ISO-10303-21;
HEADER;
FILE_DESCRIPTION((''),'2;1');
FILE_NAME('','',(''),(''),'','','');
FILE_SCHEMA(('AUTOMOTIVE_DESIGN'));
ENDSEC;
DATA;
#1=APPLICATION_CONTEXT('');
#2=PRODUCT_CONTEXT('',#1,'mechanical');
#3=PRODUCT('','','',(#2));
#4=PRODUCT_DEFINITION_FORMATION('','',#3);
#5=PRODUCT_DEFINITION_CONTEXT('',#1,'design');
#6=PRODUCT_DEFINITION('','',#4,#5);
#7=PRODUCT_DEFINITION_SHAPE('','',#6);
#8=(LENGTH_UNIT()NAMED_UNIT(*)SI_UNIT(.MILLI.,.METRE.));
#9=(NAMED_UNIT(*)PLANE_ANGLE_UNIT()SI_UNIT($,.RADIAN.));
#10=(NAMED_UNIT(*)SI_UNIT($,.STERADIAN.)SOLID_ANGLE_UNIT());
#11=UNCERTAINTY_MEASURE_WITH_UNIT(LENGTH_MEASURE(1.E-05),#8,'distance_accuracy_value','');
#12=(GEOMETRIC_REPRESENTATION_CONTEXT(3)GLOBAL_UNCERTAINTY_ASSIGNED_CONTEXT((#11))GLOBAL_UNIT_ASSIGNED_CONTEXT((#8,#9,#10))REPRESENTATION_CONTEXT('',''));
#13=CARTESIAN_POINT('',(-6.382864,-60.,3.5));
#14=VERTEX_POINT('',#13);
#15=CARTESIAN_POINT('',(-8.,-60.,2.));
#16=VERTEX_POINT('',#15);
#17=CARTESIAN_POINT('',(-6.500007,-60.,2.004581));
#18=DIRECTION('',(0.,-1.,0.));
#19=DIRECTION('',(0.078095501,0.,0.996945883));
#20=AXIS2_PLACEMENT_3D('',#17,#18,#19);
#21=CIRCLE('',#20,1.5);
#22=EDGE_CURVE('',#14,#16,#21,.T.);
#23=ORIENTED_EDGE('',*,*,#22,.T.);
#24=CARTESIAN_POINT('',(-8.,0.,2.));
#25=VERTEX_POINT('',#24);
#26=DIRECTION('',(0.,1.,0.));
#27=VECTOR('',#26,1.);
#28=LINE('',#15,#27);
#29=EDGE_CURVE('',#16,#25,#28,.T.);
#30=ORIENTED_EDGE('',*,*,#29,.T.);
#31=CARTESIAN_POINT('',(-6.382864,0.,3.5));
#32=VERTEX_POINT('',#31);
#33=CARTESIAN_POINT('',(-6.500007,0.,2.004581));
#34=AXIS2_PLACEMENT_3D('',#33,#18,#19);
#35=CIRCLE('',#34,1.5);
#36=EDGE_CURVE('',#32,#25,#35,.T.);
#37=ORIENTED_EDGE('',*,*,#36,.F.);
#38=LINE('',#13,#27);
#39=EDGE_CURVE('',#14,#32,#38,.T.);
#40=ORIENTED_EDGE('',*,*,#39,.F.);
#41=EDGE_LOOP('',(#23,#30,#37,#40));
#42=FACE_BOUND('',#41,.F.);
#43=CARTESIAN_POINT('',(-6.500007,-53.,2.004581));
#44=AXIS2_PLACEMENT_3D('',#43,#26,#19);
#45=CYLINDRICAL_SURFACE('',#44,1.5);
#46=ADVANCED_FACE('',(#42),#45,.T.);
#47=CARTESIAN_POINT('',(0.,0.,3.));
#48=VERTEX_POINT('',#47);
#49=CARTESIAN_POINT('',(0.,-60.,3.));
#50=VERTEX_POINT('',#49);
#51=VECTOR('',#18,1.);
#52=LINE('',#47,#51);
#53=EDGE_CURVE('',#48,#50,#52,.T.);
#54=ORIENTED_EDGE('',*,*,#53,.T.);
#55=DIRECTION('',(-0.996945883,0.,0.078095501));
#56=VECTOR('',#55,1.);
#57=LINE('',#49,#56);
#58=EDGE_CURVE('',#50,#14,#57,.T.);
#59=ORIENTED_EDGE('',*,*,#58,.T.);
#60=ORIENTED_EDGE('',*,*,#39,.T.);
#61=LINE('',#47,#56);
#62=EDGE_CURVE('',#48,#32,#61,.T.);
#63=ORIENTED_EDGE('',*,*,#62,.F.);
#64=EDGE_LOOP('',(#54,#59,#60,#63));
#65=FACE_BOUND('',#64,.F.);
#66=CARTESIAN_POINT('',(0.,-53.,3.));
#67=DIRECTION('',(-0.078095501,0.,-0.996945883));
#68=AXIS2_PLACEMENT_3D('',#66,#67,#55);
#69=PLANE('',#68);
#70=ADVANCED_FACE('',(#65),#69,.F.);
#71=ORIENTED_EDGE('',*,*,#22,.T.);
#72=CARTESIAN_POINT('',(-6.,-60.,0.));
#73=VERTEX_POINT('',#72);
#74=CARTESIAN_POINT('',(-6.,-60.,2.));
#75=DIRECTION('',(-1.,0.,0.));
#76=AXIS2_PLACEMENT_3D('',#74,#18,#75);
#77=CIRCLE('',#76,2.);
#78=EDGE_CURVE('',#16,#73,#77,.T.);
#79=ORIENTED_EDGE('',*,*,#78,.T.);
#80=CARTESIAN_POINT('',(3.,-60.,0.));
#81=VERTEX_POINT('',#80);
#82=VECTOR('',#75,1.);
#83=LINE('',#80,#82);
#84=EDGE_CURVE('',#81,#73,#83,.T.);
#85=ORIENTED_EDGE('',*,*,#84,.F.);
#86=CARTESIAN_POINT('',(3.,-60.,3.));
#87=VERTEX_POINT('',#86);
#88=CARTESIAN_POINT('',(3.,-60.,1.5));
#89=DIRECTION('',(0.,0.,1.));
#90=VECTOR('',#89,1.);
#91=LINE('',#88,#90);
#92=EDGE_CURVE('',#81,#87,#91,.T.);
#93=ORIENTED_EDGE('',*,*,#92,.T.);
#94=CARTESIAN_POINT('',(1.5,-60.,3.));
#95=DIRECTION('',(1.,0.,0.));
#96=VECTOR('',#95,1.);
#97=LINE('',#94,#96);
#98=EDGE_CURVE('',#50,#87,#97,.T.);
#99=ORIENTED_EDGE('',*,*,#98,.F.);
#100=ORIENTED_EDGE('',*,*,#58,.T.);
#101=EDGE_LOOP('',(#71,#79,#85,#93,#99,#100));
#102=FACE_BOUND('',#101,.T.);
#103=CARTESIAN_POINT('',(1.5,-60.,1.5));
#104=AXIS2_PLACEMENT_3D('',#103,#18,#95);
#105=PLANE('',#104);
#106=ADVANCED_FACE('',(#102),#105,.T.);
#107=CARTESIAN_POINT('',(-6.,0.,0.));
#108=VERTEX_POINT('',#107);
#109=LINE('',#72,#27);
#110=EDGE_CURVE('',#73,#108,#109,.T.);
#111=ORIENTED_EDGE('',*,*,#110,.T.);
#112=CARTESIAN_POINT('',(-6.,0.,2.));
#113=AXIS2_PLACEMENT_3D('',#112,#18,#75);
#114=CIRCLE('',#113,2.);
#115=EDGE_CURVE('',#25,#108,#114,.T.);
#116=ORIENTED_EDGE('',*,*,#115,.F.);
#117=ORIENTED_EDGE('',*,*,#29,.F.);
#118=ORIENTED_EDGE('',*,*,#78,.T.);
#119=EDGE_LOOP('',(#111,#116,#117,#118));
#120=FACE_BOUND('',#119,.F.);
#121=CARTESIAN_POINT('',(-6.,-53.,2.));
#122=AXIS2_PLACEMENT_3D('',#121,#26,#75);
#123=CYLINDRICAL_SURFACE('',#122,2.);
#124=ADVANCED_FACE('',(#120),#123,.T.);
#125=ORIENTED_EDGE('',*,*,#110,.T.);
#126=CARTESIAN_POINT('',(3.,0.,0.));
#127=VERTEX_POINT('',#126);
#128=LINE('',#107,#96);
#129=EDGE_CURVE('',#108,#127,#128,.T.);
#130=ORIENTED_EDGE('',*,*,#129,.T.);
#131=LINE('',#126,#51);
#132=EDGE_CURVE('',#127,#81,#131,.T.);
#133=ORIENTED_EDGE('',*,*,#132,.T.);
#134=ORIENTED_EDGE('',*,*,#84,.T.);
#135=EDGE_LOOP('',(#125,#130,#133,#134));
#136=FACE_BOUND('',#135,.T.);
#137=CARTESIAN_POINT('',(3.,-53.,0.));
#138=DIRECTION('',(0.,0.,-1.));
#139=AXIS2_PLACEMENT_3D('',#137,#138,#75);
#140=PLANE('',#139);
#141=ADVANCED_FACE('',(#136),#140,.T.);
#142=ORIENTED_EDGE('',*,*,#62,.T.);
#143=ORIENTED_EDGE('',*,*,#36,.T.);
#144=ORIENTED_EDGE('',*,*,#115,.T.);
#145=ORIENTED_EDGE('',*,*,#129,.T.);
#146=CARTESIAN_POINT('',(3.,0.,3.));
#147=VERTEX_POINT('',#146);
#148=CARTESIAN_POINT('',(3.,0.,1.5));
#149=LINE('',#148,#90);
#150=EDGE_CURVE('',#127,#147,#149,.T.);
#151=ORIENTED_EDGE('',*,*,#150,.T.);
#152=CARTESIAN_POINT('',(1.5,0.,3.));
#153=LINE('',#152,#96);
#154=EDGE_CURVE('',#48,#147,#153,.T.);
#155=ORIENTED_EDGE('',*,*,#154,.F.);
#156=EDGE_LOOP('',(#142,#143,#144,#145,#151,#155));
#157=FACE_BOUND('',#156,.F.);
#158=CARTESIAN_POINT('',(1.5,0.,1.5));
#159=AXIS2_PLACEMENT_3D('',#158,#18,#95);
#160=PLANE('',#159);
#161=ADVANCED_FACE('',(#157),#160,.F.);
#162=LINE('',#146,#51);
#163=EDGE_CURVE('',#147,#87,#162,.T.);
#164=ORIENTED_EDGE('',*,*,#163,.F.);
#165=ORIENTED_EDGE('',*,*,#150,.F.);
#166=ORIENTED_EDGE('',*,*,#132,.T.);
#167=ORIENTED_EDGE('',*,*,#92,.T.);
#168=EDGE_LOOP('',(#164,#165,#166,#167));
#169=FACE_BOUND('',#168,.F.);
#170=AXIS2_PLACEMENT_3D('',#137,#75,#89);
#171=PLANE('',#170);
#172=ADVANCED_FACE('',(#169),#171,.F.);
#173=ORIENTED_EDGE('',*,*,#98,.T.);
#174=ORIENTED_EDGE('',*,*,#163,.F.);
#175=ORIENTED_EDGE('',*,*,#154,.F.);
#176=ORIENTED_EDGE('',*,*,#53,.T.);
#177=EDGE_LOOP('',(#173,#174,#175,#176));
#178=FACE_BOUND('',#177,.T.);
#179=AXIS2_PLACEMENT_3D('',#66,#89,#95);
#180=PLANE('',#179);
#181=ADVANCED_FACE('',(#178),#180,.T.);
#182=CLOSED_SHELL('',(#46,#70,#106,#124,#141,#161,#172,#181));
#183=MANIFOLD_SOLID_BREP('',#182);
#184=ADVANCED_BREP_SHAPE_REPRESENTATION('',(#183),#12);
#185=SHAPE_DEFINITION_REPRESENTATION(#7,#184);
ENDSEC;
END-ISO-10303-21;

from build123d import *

# Parameters (mm, degrees)
F1_DEPTH = 60
F2_W     = 3
F2_H     = 3
F3_DEPTH = 60
F4_DEPTH = 42
F5_DEPTH = 35
F6_DEPTH = 7


with BuildPart() as f1:
    # F0 (on Front) → F1 (new body)
    with BuildSketch(Plane.XZ):
        with BuildLine():
            Line((-6, 0), (0, 0))
            Line((0, 0), (0, 3))
            Line((0, 3), (-6.3828637444, 3.5))
            ThreePointArc((-6.3828637444, 3.5), (-7.5200895217, 3.1043228005), (-8, 2))
            ThreePointArc((-8, 2), (-7.4142135624, 0.5857864376), (-6, 0))
        make_face()
    extrude(amount=F1_DEPTH)

    # F2 (on face) → F3 (join)
    with BuildSketch(Plane.XZ.offset(60)):
        with Locations((1.5, 1.5)):
            Rectangle(F2_W, F2_H)
    extrude(amount=-F3_DEPTH)

    # F4 (cut): a face of the model
    f4_faces = [f1.faces().sort_by_distance(p)[0] for p in [
        (-2.4940313384, -60, 1.6228930979),
    ]]
    extrude(f4_faces, amount=-F4_DEPTH, mode=Mode.SUBTRACT)

    # F5 (add): a face of the model
    f5_faces = [f1.faces().sort_by_distance(p)[0] for p in [
        (-2.4940313384, -18, 1.6228930979),
    ]]
    extrude(f5_faces, amount=F5_DEPTH)

    # F6 (add): a face of the model
    f6_faces = [f1.faces().sort_by_distance(p)[0] for p in [
        (-2.4940313384, -53, 1.6228930979),
    ]]
    extrude(f6_faces, amount=F6_DEPTH)


solid = f1.part
